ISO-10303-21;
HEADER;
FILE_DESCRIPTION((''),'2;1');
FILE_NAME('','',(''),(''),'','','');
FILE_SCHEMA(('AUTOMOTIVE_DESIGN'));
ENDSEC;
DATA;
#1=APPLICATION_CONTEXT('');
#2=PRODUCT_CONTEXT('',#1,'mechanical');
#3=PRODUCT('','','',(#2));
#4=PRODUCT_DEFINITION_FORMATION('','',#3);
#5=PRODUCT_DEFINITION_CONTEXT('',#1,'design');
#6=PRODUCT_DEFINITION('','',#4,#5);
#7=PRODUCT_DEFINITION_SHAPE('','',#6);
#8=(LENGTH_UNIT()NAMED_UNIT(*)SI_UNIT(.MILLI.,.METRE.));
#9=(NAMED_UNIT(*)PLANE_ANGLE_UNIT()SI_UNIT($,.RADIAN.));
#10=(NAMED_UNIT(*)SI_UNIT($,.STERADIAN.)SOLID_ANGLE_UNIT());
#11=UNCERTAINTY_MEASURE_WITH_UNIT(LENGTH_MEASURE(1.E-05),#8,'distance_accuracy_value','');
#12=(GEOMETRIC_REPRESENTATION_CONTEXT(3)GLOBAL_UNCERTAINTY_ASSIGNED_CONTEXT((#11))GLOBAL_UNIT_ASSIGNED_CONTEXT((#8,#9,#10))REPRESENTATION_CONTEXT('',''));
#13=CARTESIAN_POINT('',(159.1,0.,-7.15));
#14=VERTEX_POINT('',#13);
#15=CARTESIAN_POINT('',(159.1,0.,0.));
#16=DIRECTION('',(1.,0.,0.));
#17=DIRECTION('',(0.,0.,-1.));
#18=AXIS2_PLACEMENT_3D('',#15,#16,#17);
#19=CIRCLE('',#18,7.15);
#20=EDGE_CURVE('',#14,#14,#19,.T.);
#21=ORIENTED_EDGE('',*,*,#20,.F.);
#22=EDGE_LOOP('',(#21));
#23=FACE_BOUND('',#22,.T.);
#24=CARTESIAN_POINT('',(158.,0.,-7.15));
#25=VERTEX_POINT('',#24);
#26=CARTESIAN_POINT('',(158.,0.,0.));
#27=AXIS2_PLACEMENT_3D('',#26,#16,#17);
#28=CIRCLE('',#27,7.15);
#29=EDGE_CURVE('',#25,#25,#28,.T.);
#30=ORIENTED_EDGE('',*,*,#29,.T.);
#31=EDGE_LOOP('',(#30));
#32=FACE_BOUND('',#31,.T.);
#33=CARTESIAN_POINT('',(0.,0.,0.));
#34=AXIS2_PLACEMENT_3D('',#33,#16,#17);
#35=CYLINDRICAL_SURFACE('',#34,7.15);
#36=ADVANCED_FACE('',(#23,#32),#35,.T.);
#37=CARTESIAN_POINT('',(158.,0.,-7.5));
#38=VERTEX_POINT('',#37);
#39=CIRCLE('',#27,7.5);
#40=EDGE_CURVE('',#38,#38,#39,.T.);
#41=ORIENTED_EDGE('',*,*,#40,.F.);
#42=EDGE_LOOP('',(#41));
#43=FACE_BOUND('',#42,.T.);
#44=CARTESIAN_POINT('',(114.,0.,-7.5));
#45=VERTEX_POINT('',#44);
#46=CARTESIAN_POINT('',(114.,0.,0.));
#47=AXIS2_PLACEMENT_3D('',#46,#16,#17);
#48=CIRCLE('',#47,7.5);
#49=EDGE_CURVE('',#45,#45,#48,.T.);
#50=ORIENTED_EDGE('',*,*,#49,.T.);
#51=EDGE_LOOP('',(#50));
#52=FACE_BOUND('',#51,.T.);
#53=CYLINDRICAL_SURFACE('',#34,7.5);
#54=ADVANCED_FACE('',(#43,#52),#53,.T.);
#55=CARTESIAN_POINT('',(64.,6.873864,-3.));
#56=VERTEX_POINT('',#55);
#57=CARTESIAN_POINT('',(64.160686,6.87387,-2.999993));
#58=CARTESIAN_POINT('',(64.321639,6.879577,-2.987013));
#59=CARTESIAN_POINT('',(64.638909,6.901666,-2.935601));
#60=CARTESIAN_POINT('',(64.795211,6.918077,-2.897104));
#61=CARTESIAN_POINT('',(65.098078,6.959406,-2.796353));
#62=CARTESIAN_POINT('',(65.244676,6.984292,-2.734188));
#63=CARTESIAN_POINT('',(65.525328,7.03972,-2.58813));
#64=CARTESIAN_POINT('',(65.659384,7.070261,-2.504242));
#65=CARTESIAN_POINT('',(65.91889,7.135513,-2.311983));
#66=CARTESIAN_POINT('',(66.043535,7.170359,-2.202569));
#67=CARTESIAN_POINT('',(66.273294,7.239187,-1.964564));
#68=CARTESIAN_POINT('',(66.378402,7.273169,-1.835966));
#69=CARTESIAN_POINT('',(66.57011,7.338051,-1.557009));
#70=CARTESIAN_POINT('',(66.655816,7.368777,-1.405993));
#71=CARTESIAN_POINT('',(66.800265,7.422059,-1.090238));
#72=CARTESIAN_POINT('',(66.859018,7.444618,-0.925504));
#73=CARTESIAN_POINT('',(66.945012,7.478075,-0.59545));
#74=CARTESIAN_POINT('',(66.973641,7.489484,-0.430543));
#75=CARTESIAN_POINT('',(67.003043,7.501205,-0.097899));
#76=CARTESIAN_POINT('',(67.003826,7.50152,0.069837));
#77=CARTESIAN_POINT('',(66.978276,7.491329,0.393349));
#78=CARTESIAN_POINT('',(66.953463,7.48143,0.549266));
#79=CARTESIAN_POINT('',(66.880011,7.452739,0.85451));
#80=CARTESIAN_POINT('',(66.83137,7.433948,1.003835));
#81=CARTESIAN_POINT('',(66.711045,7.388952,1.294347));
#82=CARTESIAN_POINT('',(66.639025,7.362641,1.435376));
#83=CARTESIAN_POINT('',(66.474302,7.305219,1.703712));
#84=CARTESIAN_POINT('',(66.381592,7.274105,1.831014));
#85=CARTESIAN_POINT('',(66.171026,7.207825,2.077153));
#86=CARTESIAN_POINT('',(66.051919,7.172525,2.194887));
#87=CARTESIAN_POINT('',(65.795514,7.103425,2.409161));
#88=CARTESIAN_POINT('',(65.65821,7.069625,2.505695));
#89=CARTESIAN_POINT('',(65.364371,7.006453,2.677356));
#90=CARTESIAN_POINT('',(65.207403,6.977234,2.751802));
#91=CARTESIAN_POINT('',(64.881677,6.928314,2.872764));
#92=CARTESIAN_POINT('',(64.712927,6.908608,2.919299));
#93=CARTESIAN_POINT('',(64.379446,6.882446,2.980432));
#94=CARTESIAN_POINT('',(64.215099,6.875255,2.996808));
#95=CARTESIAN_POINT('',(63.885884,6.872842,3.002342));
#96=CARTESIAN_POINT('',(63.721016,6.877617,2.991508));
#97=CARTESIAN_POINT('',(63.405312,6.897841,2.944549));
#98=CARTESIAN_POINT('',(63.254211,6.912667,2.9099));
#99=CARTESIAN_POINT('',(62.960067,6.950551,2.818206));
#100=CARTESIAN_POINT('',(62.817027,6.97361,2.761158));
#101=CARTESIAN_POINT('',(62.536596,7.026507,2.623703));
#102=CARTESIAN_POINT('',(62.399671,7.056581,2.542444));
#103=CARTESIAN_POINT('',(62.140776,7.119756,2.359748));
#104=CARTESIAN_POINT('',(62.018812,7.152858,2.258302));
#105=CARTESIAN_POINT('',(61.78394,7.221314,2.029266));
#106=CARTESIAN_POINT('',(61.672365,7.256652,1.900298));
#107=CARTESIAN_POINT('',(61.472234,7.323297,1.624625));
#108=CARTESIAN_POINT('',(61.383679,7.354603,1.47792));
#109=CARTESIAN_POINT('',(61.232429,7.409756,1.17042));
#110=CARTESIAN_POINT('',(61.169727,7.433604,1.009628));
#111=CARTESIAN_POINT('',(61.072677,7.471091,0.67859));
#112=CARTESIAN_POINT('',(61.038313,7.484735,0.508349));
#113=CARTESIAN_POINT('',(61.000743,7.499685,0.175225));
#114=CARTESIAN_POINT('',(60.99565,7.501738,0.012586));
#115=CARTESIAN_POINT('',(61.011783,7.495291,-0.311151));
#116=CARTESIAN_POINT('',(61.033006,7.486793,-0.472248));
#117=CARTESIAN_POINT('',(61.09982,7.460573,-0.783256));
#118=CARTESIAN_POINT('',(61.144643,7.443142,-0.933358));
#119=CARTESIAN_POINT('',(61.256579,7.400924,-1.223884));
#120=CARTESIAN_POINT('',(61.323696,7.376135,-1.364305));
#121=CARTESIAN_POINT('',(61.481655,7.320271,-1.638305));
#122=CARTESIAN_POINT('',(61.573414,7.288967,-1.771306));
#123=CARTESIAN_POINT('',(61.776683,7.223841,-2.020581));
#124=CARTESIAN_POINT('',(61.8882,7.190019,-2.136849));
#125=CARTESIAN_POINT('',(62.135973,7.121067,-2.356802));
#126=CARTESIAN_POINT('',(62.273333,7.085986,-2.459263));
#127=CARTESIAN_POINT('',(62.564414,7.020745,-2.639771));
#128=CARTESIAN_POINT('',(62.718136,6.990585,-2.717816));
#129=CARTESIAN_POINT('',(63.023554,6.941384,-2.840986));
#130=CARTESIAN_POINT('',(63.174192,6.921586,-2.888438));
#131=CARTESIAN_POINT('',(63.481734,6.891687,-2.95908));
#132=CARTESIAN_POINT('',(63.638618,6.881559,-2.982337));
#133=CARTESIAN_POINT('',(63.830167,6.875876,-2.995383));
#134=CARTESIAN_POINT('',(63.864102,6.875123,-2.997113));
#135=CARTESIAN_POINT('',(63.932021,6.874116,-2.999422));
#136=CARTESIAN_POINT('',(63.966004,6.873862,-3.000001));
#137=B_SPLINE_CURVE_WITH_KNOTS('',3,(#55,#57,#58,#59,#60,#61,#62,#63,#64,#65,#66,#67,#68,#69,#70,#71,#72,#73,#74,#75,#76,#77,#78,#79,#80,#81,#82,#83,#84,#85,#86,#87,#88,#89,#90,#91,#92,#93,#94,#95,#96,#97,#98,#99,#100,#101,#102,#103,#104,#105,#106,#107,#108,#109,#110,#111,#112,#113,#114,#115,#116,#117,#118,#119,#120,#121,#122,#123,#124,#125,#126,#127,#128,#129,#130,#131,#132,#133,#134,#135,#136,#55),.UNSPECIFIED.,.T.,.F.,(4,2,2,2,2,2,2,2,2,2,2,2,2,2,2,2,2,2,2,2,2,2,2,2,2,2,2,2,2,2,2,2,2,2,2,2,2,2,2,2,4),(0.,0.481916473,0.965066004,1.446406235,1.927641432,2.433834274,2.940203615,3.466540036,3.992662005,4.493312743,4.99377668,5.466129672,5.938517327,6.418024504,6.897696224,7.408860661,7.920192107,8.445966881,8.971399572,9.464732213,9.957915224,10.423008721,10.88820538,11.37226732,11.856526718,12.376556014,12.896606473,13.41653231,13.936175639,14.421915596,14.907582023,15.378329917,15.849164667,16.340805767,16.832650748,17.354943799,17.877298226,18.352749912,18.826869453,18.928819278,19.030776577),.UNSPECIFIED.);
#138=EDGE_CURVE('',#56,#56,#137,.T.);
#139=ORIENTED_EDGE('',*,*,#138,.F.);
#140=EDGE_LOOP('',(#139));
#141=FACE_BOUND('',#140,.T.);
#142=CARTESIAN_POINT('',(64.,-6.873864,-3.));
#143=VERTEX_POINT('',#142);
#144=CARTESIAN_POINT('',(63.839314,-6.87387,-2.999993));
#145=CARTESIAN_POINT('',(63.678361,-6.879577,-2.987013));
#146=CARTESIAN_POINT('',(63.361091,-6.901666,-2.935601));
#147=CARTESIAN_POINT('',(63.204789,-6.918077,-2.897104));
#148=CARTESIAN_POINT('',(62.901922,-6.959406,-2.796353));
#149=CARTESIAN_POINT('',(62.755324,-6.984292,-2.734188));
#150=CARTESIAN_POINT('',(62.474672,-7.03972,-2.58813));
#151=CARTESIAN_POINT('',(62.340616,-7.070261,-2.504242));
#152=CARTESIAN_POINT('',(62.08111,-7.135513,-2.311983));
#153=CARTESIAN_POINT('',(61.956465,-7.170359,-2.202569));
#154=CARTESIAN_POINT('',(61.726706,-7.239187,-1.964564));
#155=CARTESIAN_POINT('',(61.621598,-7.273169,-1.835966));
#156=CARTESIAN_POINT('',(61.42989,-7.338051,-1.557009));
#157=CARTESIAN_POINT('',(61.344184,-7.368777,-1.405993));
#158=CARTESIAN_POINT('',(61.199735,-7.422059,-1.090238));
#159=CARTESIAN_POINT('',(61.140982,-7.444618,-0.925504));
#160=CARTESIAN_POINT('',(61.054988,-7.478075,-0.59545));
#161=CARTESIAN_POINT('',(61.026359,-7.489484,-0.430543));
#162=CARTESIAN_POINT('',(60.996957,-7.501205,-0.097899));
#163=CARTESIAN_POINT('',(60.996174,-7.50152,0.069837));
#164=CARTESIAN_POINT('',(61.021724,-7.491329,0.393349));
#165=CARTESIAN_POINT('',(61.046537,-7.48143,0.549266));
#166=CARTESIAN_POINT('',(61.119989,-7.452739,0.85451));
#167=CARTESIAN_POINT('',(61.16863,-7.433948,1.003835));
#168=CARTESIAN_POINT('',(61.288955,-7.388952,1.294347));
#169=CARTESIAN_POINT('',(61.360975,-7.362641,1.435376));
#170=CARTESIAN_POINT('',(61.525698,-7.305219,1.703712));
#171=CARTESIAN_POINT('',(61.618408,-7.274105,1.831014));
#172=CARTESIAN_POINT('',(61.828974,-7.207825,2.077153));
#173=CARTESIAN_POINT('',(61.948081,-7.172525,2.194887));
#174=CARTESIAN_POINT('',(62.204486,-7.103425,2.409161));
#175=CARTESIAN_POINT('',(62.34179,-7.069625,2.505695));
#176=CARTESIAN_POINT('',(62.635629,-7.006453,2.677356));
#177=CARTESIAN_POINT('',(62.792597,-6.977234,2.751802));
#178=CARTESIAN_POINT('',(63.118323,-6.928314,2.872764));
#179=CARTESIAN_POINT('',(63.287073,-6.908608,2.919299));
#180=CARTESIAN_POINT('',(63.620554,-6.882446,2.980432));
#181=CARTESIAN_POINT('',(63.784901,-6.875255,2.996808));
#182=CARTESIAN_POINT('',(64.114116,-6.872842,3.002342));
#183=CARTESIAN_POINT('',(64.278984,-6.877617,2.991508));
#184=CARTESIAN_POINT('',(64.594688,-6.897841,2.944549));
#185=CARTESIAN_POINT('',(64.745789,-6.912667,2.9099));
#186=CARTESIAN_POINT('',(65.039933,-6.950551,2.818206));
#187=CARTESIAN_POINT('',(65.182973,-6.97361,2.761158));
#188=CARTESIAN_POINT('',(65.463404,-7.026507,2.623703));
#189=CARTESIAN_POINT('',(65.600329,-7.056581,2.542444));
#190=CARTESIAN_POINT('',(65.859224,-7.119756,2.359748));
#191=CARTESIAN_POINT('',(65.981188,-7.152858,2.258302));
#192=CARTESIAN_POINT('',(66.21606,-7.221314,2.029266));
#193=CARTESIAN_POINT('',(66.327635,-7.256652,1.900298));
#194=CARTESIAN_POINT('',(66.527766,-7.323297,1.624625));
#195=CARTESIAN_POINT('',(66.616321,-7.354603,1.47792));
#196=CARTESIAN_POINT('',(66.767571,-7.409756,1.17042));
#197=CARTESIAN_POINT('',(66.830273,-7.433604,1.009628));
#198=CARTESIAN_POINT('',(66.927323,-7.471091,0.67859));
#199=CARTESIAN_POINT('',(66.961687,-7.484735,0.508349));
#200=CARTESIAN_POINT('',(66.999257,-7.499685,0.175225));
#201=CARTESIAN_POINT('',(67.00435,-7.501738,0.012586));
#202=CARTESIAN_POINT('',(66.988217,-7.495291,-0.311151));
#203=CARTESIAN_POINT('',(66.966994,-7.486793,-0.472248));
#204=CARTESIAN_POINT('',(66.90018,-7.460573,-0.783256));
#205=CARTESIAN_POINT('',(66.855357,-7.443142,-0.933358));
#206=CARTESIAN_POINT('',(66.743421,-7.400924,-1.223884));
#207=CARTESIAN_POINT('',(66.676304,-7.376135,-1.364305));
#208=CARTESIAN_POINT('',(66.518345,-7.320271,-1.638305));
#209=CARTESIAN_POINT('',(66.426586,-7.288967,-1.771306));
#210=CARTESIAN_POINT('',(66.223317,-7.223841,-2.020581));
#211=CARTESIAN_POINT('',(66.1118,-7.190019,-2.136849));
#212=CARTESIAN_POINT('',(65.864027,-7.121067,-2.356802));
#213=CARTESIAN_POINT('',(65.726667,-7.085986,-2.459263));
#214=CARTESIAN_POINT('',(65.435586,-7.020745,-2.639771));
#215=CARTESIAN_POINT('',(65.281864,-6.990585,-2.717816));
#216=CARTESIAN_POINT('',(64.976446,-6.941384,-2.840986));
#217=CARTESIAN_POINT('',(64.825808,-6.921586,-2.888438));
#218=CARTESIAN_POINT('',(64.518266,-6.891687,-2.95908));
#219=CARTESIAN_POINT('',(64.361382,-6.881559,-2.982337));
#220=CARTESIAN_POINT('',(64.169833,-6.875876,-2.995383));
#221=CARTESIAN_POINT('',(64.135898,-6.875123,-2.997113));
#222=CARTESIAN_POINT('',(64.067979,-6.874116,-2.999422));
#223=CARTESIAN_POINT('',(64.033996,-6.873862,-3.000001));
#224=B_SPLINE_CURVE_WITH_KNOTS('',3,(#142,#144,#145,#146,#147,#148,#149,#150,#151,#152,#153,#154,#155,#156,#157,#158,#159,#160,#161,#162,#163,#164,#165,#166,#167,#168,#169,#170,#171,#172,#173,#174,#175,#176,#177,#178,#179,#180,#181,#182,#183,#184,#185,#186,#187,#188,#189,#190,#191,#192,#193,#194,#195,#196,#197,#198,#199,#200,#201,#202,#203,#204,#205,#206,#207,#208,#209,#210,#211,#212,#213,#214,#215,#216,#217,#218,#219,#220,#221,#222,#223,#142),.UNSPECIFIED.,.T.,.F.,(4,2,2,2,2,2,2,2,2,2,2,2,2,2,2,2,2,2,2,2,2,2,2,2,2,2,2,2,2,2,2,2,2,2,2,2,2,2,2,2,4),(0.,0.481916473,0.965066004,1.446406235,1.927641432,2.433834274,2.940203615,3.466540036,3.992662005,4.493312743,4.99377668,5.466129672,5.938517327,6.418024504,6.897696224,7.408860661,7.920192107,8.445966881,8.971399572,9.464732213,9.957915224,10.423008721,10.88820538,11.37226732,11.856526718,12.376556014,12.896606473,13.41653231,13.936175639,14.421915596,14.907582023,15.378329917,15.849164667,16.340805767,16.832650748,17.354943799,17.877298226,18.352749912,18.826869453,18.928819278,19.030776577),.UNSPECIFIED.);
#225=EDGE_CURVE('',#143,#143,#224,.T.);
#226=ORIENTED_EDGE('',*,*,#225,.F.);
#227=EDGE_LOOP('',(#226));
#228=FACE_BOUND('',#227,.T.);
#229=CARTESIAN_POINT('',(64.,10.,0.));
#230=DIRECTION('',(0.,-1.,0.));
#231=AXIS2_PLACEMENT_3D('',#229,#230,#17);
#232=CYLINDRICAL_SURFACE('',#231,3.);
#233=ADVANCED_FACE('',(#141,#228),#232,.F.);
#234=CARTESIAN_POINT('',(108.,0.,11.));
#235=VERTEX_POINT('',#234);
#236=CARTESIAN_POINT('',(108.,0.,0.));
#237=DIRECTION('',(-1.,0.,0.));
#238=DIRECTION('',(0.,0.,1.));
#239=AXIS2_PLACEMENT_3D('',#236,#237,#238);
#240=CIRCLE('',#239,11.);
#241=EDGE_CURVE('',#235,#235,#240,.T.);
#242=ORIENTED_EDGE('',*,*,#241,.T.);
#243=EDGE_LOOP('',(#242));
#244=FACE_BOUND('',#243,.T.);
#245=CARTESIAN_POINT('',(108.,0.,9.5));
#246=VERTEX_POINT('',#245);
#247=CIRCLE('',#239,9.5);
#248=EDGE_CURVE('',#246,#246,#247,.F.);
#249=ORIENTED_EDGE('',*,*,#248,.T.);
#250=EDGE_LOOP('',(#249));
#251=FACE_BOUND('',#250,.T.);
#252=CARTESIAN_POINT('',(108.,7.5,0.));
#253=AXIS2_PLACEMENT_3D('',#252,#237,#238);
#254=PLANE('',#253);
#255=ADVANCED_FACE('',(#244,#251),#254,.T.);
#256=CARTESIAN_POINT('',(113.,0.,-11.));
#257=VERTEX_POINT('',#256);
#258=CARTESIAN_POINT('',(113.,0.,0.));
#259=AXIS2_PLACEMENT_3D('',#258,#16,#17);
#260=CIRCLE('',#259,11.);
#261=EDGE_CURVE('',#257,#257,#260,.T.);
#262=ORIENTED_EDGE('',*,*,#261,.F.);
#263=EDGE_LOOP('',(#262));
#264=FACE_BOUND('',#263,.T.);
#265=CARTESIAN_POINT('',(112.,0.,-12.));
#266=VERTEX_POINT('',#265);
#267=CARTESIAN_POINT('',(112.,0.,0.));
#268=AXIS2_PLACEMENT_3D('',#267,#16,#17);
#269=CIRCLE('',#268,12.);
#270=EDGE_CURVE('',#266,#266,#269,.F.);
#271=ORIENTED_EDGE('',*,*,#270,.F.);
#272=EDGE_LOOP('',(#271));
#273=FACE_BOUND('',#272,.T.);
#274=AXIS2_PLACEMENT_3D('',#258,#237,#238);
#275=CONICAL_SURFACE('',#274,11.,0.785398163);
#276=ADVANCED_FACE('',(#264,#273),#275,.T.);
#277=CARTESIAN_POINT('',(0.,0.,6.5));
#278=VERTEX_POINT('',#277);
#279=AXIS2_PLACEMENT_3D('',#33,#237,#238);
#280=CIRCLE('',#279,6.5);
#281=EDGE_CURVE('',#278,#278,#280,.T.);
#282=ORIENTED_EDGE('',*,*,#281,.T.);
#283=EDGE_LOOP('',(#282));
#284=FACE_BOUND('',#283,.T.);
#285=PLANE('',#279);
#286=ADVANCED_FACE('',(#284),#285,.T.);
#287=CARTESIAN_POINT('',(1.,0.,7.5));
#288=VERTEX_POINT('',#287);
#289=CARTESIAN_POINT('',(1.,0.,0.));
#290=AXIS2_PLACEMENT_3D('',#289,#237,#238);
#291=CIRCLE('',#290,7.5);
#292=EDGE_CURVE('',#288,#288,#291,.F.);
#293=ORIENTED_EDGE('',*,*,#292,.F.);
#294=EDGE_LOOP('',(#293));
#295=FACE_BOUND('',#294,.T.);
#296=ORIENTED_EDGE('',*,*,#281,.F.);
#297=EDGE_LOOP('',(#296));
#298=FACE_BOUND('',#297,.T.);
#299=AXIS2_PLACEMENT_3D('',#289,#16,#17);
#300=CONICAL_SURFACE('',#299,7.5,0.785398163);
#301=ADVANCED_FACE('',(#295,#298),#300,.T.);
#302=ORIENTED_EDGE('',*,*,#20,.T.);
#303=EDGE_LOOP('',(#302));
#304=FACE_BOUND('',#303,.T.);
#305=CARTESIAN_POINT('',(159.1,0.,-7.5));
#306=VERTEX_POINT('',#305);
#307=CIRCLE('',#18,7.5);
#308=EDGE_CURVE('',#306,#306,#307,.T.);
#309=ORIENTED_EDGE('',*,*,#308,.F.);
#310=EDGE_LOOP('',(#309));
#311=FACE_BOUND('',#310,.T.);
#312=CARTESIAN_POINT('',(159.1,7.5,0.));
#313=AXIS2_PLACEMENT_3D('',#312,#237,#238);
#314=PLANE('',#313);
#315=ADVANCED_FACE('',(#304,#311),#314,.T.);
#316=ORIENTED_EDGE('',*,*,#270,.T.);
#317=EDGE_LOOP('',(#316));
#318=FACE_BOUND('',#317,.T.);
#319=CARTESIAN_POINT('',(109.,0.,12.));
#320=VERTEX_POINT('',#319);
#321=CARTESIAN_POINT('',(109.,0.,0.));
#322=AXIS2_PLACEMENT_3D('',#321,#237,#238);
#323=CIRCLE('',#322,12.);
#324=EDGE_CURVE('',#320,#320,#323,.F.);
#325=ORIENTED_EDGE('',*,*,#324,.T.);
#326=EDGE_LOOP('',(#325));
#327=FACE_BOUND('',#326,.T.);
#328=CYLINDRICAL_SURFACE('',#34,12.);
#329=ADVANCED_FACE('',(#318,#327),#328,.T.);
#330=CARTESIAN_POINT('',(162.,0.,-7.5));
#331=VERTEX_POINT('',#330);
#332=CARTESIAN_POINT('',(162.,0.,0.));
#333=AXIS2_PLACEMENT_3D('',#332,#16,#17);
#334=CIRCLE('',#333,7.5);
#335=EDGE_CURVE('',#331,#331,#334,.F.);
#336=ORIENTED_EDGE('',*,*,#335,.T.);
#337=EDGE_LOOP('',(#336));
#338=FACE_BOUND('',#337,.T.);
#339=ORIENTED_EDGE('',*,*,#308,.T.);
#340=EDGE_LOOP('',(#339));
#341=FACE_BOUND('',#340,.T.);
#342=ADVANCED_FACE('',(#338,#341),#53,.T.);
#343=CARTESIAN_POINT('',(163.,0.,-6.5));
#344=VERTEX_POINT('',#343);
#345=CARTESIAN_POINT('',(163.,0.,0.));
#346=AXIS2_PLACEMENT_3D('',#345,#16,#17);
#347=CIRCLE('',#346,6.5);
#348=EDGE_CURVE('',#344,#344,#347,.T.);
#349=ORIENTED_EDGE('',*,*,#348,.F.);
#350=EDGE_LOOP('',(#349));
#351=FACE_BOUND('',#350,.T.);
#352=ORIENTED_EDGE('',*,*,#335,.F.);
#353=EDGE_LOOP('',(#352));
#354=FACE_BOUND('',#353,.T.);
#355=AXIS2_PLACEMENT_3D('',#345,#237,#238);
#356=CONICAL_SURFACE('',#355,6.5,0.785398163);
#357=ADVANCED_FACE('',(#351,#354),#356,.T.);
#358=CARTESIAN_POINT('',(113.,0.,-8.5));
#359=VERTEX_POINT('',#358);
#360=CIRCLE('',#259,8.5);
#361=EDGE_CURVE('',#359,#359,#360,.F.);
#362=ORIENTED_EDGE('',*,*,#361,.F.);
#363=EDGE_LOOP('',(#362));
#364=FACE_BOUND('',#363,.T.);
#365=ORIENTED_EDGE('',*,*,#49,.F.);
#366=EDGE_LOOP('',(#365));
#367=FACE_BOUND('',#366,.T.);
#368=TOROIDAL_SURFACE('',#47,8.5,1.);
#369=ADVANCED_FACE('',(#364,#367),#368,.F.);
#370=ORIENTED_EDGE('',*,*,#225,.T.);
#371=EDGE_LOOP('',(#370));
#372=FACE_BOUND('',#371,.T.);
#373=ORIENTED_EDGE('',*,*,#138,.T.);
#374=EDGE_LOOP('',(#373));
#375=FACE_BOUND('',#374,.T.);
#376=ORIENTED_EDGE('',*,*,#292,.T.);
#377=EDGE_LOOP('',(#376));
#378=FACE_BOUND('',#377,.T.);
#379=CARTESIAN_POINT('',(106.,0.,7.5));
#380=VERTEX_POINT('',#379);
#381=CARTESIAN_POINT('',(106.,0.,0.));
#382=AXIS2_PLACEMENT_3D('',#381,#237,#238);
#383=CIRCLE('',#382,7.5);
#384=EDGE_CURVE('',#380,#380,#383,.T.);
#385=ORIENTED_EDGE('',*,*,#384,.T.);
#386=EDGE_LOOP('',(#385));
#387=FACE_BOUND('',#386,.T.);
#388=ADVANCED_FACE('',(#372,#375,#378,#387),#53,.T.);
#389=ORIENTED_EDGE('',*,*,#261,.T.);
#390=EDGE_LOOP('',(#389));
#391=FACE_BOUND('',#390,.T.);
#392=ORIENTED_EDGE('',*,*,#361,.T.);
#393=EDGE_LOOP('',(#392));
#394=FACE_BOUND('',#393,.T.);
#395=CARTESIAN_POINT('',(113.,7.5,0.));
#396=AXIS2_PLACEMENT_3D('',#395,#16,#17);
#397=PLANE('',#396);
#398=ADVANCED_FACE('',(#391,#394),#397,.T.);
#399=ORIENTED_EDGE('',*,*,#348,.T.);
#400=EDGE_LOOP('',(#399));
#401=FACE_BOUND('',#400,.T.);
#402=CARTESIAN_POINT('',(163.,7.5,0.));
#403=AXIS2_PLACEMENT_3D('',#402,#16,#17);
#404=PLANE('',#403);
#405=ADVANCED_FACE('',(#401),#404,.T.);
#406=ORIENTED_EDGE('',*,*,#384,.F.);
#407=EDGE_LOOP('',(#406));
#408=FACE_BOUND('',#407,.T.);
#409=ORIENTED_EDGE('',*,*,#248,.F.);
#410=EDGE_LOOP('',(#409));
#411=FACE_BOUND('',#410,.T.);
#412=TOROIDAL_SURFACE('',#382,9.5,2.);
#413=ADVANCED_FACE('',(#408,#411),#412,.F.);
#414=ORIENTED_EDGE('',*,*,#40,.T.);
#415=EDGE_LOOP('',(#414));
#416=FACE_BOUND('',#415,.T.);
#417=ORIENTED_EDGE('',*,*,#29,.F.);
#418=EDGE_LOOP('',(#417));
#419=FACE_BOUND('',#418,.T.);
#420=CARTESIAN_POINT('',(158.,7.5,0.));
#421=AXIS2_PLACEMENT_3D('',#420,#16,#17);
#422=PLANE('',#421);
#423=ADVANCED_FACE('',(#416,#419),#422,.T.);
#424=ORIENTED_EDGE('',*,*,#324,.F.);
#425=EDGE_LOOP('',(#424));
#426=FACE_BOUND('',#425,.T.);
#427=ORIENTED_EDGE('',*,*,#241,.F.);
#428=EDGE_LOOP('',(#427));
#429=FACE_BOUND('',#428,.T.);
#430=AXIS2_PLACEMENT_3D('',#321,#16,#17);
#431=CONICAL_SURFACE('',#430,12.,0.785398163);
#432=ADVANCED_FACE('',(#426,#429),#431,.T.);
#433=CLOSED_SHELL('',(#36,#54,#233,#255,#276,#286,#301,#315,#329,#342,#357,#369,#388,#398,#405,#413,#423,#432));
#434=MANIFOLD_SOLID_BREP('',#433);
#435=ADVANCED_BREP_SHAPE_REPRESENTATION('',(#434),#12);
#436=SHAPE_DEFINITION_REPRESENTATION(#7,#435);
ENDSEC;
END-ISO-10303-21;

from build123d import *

# Parameters (mm, degrees)
CUT_EXTRUDE1_DEPTH      = 10
CUT_EXTRUDE1_DEPTH_BACK = 10
SKETCH2_R               = 3
CHAMFER1_SIZE           = 1
FILLET1_R               = 2
FILLET2_R               = 1


with BuildPart() as part:
    # Sketch1 → Revolve1 (revolve)
    with BuildSketch(Plane.XY):
        Polygon((0, 0), (0, 7.5), (108, 7.5), (108, 12), (113, 12), (113, 7.5), (158, 7.5), (158, 7.15), (159.1, 7.15), (159.1, 7.5), (163, 7.5), (163, 0), align=None)
    revolve(axis=Axis((0, 0, 0), (-1, 0, 0)))

    # Sketch2 → Cut-Extrude1 (cut, two sides: drawn at the far end of the back side and taken through both)
    with BuildSketch(Plane(origin=(0, 0, 0), x_dir=(1, 0, 0), z_dir=(0, 1, 0)).offset(-CUT_EXTRUDE1_DEPTH_BACK)):
        with Locations((64, 0)):
            Circle(SKETCH2_R)
    extrude(amount=CUT_EXTRUDE1_DEPTH + CUT_EXTRUDE1_DEPTH_BACK, mode=Mode.SUBTRACT)

    # Chamfer1
    chamfer1_edges = [part.edges().sort_by_distance(p)[0] for p in [
        (113, -12, 0),
        (108, -12, 0),
        (0, -7.5, 0),
        (163, -7.5, 0),
    ]]
    chamfer(chamfer1_edges, length=CHAMFER1_SIZE)

    # Fillet1
    fillet1_edges = [part.edges().sort_by_distance(p)[0] for p in [
        (108, -7.5, 0),
    ]]
    fillet(fillet1_edges, radius=FILLET1_R)

    # Fillet2
    fillet2_edges = [part.edges().sort_by_distance(p)[0] for p in [
        (113, -7.5, 0),
    ]]
    fillet(fillet2_edges, radius=FILLET2_R)


solid = part.part
